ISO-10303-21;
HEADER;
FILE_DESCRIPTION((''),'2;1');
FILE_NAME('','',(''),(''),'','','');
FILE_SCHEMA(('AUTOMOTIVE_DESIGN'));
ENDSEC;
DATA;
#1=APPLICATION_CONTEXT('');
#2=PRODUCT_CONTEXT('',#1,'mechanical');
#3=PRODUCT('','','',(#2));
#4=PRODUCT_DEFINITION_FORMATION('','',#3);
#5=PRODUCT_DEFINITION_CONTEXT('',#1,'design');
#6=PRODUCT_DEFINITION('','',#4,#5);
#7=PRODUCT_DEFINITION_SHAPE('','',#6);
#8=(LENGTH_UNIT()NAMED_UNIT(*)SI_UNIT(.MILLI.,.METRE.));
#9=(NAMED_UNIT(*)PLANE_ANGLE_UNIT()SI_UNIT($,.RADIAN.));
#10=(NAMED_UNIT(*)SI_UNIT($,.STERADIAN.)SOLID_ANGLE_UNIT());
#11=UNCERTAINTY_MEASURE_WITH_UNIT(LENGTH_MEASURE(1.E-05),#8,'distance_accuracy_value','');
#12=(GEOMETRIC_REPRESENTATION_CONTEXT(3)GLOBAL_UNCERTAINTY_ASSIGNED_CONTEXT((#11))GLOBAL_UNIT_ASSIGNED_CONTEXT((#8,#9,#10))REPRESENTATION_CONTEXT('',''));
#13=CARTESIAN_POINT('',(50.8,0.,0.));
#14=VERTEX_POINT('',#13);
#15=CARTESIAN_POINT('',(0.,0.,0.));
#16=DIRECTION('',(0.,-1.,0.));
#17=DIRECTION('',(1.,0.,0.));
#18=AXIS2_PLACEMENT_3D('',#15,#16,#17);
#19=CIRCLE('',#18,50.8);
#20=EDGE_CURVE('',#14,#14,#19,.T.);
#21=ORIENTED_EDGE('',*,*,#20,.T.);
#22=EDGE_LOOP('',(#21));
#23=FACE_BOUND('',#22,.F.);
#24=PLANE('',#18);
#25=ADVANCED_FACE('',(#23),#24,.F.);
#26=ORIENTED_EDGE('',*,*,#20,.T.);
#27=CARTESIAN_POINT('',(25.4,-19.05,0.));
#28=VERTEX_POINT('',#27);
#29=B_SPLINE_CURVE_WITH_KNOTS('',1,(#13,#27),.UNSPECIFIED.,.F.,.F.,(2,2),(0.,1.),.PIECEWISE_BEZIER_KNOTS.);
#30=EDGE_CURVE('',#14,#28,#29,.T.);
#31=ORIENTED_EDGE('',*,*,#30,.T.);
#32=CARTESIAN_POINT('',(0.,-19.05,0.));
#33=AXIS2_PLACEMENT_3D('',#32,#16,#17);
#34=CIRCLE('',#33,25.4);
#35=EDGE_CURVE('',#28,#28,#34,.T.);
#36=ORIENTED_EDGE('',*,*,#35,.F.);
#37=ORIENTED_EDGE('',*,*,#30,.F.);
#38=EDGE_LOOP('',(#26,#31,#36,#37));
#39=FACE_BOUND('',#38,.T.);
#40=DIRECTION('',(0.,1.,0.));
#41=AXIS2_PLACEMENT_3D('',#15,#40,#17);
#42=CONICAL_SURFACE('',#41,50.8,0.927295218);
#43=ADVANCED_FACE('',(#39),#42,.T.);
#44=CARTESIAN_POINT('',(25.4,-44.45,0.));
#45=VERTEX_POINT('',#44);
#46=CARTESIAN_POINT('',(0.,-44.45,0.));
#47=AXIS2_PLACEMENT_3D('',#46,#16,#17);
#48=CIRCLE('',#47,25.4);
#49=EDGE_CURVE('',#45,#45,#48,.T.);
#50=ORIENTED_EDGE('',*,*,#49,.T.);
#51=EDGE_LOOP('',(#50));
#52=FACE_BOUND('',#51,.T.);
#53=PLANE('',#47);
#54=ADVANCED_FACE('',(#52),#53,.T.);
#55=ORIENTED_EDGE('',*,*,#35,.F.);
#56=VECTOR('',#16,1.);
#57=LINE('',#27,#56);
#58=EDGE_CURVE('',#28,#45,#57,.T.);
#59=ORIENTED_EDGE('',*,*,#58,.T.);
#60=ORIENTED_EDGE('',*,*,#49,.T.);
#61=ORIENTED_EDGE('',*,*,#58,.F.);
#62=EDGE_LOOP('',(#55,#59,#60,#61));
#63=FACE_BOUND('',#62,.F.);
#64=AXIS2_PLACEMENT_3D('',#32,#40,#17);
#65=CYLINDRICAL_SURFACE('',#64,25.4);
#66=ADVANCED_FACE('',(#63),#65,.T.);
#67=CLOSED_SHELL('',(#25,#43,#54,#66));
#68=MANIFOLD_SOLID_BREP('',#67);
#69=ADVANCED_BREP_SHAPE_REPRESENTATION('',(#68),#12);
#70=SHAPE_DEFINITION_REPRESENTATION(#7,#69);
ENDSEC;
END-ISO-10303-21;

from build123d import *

# Parameters (mm, degrees)
F0_R     = 50.8
F2_R     = 25.4
F4_DEPTH = 25.4


with BuildPart() as f3:
    # F0 (on Front) → F3 section 0
    with BuildSketch(Plane.XZ):
        Circle(F0_R)
    # F2 (on offset) → F3 section 1
    with BuildSketch(Plane.XZ.offset(19.05)):
        Circle(F2_R)
    loft()

    # F2 (on offset) → F4 (join)
    with BuildSketch(Plane.XZ.offset(19.05)):
        Circle(F2_R)
    extrude(amount=F4_DEPTH)


solid = f3.part
